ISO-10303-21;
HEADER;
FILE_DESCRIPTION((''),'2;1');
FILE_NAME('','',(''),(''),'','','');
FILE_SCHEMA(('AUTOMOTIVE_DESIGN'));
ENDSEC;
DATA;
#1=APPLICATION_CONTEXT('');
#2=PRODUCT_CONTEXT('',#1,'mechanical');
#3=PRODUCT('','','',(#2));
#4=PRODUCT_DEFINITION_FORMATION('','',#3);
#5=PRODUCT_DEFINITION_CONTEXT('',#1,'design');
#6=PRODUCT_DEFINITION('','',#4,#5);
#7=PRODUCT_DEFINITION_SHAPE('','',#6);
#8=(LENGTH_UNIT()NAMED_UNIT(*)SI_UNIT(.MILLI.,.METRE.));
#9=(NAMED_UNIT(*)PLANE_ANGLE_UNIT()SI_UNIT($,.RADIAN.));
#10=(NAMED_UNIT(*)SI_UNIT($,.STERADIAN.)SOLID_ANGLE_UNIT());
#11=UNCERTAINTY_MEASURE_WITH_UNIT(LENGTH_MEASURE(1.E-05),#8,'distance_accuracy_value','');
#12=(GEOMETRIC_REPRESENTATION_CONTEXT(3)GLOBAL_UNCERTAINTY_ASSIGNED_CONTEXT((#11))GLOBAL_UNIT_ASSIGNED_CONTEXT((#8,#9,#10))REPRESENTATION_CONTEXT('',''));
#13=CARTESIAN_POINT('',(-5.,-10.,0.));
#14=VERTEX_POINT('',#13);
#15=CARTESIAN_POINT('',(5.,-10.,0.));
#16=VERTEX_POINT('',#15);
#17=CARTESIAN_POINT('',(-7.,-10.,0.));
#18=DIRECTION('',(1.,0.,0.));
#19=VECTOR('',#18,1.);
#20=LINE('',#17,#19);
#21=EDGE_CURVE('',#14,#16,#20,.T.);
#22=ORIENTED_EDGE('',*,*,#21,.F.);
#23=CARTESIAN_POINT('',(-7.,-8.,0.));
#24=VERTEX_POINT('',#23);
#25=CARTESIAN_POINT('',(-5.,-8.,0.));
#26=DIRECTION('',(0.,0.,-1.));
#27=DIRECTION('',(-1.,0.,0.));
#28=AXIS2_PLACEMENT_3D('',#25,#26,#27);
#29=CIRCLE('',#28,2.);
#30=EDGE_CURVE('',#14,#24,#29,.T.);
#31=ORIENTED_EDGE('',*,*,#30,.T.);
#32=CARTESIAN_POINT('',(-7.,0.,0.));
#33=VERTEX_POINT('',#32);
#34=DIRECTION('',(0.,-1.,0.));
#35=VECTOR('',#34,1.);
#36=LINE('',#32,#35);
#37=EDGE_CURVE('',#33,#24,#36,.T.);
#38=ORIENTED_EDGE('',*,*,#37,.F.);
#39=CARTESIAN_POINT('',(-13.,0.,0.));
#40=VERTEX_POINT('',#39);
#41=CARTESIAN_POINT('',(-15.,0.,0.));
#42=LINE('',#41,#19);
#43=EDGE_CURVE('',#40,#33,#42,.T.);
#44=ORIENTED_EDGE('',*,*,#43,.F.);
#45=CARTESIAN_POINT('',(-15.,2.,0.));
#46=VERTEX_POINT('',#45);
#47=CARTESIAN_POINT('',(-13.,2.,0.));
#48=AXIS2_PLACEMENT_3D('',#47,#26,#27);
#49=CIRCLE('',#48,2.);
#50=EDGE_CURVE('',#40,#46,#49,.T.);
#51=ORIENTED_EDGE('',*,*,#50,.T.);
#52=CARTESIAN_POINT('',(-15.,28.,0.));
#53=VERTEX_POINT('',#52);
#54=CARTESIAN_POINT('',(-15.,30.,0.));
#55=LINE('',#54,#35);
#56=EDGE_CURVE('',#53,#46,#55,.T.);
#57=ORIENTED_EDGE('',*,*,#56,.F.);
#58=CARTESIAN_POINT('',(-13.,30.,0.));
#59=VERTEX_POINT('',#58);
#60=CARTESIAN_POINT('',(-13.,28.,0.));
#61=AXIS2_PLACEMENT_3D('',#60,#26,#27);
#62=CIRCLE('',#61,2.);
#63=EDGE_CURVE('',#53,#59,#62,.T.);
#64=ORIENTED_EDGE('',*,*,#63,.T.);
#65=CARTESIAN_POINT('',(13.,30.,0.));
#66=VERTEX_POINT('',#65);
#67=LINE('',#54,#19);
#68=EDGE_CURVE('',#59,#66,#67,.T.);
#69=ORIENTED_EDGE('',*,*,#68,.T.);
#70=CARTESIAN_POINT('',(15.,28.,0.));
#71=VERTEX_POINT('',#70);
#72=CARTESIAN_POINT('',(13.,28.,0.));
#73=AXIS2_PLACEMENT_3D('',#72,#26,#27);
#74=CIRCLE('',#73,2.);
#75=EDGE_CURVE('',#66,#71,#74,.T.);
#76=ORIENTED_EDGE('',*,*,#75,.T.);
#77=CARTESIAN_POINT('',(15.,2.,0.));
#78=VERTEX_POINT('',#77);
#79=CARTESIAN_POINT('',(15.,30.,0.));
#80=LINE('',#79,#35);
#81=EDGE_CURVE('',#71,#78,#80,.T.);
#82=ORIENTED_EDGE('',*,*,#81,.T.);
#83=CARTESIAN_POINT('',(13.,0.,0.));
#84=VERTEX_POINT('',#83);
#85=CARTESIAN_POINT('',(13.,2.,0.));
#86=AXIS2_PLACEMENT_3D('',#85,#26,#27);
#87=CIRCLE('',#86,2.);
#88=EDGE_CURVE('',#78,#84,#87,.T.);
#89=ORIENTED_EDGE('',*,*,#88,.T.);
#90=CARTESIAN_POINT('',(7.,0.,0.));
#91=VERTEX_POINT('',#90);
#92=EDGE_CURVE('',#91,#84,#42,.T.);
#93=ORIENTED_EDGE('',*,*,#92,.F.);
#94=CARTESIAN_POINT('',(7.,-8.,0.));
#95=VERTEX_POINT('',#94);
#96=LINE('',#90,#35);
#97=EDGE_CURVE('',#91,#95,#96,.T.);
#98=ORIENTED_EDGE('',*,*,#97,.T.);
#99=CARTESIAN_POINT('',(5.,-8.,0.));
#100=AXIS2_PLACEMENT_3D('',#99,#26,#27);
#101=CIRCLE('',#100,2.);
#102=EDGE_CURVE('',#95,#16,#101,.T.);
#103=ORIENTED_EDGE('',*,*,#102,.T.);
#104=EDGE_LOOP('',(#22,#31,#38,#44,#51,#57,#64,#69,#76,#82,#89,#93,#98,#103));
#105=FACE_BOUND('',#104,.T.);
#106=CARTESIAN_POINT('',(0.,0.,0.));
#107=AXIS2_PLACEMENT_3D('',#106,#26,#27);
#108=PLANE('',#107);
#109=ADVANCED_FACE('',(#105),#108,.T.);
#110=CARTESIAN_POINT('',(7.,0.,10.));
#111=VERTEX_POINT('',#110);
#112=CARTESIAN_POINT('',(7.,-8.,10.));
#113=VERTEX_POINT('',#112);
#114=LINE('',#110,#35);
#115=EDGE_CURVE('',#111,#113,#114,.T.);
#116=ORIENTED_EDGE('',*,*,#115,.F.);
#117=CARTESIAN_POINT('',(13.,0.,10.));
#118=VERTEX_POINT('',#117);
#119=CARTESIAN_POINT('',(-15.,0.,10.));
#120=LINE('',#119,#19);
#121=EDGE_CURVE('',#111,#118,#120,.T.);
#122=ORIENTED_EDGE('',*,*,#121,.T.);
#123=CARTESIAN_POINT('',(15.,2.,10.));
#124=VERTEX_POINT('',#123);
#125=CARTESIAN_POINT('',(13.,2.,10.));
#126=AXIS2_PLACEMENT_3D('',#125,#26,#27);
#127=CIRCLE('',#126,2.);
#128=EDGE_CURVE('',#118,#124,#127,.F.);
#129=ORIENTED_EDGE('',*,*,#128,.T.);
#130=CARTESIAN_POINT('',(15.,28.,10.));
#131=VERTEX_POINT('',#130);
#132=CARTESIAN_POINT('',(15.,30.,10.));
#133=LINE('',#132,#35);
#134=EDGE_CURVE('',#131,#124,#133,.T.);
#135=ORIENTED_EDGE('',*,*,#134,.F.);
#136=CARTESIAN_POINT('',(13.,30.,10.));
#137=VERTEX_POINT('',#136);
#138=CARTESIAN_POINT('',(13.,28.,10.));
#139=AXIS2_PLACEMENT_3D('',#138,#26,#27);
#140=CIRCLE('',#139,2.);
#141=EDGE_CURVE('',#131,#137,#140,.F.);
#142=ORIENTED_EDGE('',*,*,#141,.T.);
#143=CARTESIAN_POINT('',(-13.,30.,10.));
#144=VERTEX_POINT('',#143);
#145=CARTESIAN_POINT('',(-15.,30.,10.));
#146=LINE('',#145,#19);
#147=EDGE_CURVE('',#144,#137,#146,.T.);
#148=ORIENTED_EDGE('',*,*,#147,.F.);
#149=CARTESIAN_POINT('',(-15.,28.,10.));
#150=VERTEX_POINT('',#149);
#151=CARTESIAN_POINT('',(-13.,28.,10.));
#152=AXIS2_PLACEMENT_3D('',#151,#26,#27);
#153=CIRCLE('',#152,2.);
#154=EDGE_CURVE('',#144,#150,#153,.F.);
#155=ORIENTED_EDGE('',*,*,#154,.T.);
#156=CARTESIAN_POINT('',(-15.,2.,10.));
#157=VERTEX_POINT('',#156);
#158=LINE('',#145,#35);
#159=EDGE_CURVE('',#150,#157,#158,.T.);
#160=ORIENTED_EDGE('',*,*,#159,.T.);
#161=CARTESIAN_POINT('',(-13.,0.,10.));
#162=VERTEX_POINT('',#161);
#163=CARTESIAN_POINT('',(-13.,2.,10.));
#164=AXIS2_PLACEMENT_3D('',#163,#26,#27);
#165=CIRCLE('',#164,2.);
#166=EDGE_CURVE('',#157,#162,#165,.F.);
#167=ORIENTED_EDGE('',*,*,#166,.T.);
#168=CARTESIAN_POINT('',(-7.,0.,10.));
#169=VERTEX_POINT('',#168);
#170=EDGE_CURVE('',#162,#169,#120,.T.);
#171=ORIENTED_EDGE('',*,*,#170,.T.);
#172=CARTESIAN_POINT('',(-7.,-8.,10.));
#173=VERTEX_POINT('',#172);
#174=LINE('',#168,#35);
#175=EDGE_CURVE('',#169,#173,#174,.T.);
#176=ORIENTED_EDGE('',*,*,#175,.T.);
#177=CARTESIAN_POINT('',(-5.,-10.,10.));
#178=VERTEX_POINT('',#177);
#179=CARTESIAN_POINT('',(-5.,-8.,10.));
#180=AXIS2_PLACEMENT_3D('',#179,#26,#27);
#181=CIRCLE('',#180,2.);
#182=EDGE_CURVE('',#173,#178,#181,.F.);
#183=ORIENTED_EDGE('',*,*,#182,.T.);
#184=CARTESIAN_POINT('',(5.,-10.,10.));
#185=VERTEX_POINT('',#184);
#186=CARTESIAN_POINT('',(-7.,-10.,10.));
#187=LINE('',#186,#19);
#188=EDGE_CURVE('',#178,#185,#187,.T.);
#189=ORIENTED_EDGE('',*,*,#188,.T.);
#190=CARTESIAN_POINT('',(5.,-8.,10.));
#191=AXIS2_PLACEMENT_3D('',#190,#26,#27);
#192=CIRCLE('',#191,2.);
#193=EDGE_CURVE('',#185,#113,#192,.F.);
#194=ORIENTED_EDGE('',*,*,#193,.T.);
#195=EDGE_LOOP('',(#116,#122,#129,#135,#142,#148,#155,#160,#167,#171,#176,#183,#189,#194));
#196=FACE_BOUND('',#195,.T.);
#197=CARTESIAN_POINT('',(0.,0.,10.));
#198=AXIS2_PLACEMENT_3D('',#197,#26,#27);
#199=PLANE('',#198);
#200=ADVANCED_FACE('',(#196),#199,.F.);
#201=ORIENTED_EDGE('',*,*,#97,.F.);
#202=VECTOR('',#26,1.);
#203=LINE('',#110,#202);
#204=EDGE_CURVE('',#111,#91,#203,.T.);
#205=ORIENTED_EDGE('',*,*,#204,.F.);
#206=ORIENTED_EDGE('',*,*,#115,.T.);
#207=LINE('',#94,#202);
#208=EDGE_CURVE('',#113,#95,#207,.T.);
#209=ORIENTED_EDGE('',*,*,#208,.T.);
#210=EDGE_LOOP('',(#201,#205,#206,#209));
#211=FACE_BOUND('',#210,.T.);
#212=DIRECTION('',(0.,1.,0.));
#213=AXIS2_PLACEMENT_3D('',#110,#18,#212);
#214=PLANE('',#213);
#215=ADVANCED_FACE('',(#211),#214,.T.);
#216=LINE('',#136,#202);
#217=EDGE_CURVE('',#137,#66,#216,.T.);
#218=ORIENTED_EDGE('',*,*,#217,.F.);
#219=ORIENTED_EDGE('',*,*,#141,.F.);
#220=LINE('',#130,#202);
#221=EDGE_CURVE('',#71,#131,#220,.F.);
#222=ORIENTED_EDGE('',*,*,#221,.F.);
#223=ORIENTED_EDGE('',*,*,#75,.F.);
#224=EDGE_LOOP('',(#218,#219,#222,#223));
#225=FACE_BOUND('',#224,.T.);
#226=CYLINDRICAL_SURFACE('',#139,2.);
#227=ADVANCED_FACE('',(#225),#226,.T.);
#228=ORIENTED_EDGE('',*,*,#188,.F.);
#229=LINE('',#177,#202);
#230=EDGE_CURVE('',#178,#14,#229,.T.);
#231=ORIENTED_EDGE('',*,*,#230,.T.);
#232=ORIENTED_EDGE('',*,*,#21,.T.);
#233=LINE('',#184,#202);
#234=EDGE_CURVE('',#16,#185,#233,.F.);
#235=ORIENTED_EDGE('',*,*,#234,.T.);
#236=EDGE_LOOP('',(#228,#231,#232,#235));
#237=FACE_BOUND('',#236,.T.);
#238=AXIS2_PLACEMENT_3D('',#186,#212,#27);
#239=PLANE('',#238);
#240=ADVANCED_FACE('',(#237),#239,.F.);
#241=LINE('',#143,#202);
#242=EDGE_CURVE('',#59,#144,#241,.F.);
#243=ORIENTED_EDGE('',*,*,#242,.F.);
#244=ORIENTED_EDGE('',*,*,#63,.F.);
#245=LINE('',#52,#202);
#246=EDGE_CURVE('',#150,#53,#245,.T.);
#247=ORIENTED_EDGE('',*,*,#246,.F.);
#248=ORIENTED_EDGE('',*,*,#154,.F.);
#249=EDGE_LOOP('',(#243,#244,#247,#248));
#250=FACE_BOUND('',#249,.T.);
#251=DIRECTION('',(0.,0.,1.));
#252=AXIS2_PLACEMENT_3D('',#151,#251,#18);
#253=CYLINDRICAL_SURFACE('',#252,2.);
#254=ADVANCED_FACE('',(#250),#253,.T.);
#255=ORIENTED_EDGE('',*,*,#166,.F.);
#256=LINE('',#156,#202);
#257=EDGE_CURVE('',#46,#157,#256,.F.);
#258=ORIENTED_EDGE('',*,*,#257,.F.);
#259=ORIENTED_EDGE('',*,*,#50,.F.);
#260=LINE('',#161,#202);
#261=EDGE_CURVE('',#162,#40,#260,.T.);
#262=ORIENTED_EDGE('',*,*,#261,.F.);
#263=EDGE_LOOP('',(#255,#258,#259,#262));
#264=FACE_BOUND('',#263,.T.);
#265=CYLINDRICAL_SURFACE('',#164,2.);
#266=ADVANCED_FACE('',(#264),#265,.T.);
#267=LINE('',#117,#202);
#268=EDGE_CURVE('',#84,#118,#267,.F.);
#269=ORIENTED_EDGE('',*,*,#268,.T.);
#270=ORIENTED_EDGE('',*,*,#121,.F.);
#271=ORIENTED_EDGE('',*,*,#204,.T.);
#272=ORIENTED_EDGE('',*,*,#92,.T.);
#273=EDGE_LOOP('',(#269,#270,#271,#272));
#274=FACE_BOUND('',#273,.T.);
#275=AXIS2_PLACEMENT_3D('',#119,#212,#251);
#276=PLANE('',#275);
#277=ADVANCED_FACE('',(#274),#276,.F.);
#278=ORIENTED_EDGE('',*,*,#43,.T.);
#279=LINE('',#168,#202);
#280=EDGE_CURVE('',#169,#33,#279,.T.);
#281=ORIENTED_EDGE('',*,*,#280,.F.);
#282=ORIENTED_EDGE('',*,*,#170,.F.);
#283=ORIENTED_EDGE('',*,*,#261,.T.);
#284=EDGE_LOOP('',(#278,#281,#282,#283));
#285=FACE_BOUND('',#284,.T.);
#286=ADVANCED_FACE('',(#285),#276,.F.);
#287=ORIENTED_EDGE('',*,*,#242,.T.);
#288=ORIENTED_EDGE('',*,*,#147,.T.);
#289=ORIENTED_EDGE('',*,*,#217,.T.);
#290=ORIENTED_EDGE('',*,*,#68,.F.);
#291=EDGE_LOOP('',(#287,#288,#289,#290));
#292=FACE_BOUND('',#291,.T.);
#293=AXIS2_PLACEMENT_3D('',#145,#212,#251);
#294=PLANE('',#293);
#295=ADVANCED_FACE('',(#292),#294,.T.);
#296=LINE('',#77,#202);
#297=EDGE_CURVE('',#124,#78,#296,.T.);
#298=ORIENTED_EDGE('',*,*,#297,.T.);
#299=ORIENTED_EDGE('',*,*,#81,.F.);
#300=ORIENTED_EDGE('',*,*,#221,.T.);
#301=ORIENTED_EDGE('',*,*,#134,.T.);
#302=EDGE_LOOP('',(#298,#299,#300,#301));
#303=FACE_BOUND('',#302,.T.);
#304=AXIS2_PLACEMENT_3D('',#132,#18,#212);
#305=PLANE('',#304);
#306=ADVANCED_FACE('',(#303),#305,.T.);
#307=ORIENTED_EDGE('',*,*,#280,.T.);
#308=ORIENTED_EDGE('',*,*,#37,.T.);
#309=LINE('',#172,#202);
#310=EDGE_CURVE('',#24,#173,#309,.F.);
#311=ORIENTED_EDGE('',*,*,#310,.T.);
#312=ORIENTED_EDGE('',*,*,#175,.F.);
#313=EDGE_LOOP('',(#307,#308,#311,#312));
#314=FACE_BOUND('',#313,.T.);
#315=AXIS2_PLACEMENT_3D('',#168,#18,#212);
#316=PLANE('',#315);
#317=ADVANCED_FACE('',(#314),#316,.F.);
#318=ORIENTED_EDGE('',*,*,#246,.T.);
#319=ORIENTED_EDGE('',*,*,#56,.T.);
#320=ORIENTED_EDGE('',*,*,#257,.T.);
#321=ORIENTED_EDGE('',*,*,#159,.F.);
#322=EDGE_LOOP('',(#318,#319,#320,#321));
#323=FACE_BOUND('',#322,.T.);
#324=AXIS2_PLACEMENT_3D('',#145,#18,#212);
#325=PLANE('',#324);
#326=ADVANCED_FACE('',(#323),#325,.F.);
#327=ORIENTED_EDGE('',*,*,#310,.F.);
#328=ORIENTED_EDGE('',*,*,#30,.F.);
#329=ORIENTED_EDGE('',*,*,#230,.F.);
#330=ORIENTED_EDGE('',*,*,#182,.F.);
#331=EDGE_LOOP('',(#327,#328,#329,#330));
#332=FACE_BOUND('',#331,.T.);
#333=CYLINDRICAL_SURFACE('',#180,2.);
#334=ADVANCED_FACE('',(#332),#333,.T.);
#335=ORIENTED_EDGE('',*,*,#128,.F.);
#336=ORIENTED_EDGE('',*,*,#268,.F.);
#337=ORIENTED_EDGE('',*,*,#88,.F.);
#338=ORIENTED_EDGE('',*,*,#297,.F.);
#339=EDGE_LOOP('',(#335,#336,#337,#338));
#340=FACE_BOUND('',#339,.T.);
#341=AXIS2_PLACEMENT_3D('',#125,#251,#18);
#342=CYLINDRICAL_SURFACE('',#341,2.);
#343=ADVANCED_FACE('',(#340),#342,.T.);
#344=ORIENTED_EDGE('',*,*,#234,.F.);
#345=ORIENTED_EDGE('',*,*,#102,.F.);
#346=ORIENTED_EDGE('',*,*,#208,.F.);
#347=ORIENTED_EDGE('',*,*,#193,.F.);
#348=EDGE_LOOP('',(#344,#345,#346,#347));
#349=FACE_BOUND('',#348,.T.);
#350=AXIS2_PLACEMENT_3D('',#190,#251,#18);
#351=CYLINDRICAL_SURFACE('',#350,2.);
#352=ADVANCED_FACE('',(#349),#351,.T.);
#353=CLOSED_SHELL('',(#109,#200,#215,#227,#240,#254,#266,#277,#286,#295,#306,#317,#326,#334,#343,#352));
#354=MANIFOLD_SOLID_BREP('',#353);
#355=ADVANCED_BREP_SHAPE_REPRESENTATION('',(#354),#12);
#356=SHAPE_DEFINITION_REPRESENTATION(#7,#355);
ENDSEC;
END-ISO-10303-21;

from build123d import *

# Parameters (mm, degrees)
SKETCH1_W           = 14
SKETCH1_H           = 10
SKETCH1_W_2         = 30
SKETCH1_H_2         = 30
BOSS_EXTRUDE1_DEPTH = 10
FILLET1_R           = 2


with BuildPart() as part:
    # Sketch1 → Boss-Extrude1 (new body)
    with BuildSketch(Plane.XY):
        with Locations((0, -5)):
            Rectangle(SKETCH1_W, SKETCH1_H)
        with Locations((0, 15)):
            Rectangle(SKETCH1_W_2, SKETCH1_H_2)
    extrude(amount=BOSS_EXTRUDE1_DEPTH)

    # Fillet1
    fillet1_edges = [part.edges().sort_by_distance(p)[0] for p in [
        (7, -10, 5),
        (-7, -10, 5),
        (-15, 0, 5),
        (-15, 30, 5),
        (15, 30, 5),
        (15, 0, 5),
    ]]
    fillet(fillet1_edges, radius=FILLET1_R)


solid = part.part
